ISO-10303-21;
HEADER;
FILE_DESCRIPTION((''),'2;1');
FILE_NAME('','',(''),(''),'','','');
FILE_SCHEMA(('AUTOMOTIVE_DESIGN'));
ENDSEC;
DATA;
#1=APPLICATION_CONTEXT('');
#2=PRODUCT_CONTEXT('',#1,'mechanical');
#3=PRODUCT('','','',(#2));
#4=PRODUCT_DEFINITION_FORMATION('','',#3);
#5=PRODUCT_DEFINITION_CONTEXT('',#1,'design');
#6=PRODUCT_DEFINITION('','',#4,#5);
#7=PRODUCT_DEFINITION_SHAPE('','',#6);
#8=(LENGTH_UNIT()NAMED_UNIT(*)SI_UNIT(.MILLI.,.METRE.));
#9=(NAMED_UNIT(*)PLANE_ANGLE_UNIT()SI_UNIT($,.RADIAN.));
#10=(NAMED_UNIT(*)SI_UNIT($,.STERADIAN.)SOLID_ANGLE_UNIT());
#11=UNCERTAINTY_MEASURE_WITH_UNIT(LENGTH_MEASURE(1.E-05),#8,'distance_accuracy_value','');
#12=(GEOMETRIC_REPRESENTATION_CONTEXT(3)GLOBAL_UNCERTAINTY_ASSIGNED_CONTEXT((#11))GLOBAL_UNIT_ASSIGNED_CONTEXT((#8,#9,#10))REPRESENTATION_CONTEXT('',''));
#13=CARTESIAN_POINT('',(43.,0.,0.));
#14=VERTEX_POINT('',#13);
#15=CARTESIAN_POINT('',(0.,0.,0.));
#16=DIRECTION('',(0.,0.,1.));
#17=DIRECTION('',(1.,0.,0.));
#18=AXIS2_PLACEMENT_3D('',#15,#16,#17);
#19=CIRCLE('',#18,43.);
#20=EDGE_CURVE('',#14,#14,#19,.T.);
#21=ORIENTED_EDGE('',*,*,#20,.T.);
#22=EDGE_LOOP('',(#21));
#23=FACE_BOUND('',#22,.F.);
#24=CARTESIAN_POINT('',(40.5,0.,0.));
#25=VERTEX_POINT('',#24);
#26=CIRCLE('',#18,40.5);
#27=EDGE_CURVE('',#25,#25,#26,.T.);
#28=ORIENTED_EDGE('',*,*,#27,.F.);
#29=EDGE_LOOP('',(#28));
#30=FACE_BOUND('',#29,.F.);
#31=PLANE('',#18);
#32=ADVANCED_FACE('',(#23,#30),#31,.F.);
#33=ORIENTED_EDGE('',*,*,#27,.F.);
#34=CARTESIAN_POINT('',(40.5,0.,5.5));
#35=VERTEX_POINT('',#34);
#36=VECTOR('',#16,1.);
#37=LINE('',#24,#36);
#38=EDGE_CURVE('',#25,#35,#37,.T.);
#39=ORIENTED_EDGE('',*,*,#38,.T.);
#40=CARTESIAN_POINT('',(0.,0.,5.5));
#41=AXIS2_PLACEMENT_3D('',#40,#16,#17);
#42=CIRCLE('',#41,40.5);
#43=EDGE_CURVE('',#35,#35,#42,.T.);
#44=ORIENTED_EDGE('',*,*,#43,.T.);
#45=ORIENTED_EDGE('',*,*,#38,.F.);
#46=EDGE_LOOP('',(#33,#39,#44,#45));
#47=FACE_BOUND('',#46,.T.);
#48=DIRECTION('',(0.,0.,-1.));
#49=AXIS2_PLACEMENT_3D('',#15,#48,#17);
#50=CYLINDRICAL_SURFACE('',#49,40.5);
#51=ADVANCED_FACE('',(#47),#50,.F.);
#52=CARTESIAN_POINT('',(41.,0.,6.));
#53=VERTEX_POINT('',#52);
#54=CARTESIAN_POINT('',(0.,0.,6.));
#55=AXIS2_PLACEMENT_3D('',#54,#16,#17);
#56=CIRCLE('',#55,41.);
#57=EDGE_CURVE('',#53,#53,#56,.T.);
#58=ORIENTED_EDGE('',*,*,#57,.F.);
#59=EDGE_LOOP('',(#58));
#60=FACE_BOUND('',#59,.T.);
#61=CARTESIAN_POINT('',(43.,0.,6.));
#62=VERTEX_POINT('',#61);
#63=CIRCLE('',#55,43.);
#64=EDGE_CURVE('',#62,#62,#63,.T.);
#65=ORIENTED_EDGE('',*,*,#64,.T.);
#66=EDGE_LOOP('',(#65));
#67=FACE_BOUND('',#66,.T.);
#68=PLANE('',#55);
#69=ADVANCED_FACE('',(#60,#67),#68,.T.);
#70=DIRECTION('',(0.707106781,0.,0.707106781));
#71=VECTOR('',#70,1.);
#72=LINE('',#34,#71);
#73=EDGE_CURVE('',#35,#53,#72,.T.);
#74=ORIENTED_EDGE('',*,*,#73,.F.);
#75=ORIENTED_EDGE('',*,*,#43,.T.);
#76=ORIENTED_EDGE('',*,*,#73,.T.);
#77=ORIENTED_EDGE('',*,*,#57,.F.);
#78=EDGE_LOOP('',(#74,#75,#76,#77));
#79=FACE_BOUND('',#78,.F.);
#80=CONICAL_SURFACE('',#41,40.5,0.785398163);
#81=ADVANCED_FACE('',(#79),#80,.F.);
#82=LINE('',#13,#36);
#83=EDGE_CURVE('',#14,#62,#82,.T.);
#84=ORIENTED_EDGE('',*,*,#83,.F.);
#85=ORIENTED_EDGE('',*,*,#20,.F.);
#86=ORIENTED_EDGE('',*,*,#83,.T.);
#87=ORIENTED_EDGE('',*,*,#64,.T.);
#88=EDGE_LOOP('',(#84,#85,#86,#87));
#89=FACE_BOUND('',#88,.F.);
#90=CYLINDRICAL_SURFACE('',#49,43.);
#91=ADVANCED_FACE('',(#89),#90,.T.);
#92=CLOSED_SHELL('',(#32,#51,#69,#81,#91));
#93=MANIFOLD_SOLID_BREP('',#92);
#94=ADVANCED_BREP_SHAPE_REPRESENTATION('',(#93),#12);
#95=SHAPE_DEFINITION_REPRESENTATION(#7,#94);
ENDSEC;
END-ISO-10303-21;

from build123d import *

# Parameters (mm, degrees)
SKETCH_R     = 43
SKETCH_R_2   = 40.5
PAD_DEPTH    = 6
CHAMFER_SIZE = 0.5


with BuildPart() as part:
    # Sketch → Pad (new body)
    with BuildSketch(Plane.XY):
        Circle(SKETCH_R)
        Circle(SKETCH_R_2, mode=Mode.SUBTRACT)
    extrude(amount=PAD_DEPTH)

    # Chamfer
    chamfer_edges = [part.edges().sort_by_distance(p)[0] for p in [
        (-40.5, 0, 6),
    ]]
    chamfer(chamfer_edges, length=CHAMFER_SIZE)


solid = part.part
